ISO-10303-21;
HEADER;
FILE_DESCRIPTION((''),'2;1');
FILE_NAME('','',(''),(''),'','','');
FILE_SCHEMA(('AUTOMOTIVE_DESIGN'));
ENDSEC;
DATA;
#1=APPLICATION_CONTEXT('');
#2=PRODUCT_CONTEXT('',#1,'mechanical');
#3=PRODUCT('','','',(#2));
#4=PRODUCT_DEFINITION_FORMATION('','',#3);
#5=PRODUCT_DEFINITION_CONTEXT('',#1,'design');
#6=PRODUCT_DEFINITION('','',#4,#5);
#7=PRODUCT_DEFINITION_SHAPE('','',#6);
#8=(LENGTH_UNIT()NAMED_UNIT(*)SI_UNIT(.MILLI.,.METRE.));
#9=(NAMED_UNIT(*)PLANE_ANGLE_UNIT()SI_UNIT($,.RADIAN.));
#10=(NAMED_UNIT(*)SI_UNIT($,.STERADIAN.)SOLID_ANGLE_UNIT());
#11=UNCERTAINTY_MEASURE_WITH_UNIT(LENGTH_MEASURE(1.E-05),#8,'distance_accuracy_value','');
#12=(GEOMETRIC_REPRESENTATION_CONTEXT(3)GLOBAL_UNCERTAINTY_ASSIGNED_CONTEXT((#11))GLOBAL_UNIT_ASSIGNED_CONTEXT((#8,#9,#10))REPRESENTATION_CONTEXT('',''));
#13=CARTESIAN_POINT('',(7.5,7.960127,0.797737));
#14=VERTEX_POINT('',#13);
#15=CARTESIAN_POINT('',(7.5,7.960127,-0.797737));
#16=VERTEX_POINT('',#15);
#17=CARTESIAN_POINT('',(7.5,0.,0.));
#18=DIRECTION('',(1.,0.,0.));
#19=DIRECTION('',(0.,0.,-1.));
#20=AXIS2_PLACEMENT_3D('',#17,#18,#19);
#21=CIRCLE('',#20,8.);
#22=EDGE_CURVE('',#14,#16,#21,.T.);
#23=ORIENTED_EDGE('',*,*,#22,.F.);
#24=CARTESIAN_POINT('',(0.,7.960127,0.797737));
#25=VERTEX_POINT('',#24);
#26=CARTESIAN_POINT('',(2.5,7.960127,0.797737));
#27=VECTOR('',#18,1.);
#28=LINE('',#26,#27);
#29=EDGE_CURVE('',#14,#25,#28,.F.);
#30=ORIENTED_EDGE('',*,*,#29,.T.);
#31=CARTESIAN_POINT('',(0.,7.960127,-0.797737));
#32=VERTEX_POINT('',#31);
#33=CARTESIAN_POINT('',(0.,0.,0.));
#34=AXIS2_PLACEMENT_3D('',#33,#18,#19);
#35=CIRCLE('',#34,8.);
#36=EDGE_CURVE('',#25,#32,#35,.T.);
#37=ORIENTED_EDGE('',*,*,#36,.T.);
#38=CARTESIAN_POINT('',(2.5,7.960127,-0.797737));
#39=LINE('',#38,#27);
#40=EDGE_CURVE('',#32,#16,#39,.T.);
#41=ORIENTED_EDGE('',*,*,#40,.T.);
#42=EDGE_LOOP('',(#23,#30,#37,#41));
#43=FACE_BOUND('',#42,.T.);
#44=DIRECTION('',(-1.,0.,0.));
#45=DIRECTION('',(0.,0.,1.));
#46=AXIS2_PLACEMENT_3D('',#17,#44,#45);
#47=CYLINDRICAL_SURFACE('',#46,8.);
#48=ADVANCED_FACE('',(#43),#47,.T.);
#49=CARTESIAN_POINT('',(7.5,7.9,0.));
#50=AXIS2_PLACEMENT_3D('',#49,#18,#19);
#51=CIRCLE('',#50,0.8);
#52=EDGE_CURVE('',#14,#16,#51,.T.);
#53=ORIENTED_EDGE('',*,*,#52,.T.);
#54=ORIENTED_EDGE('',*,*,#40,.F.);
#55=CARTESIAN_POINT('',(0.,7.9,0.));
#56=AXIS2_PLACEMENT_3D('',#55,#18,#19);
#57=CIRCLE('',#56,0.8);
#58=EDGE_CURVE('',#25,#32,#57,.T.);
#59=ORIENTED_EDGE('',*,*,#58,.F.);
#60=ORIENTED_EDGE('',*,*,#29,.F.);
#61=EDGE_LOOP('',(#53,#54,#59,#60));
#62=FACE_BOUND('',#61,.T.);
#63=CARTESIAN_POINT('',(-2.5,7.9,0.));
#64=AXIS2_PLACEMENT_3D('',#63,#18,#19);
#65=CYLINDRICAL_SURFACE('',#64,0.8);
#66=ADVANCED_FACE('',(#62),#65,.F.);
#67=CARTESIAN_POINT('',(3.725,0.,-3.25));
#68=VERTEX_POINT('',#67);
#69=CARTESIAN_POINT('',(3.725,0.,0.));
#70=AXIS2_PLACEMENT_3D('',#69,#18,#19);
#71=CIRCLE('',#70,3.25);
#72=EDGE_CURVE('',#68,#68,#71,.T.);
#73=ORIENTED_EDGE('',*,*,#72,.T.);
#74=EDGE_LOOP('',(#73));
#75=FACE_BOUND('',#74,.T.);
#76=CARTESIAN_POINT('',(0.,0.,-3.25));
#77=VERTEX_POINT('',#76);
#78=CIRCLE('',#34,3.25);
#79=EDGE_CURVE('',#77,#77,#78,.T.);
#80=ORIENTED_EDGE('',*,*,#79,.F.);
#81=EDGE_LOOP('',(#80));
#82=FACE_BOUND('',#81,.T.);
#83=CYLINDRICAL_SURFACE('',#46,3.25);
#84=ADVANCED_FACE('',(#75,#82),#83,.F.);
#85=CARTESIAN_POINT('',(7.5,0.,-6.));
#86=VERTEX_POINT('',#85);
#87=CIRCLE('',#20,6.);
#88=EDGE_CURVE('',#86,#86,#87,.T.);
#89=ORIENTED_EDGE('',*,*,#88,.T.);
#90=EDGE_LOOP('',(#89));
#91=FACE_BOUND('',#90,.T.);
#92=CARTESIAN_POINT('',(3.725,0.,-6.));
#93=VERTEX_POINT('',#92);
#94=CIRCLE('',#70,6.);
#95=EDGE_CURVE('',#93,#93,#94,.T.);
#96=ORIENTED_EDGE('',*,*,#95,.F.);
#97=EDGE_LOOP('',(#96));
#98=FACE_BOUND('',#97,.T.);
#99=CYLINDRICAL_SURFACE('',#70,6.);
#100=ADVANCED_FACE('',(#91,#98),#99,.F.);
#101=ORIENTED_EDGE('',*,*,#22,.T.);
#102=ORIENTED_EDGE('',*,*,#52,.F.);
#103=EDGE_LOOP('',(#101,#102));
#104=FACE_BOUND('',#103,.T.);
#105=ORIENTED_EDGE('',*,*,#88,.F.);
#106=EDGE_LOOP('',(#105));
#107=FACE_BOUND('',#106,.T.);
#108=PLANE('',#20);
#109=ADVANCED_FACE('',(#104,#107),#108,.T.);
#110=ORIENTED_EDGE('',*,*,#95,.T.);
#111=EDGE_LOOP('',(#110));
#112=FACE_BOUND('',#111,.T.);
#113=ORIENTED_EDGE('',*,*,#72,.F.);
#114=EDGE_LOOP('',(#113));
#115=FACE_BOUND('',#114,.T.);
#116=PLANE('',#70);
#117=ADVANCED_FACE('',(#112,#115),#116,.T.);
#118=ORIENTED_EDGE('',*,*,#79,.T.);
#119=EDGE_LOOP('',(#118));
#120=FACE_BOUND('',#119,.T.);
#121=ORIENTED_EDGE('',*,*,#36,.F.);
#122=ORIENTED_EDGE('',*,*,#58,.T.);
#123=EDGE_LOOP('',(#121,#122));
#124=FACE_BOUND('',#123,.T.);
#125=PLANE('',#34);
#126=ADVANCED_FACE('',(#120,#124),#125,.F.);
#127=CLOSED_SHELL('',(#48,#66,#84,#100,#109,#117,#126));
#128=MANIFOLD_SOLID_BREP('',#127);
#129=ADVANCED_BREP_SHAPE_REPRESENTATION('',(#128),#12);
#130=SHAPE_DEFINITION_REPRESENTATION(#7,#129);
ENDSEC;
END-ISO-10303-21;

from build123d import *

# Parameters (mm, degrees)
SKETCH2_R           = 8
SKETCH2_R_2         = 3.25
BOSS_EXTRUDE1_DEPTH = 7.5
SKETCH3_R           = 6
CUT_EXTRUDE1_DEPTH  = 3.775
SKETCH4_R           = 0.8
CUT_EXTRUDE2_DEPTH  = 10


with BuildPart() as part:
    # Sketch2 → Boss-Extrude1 (new body)
    with BuildSketch(Plane(origin=(0, 0, 0), x_dir=(0, 0, -1), z_dir=(1, 0, 0))):
        Circle(SKETCH2_R)
        Circle(SKETCH2_R_2, mode=Mode.SUBTRACT)
    extrude(amount=BOSS_EXTRUDE1_DEPTH)

    # Sketch3 → Cut-Extrude1 (cut)
    with BuildSketch(Plane(origin=(7.5, 0, 0), x_dir=(0, 0, -1), z_dir=(1, 0, 0))):
        Circle(SKETCH3_R)
    extrude(amount=-CUT_EXTRUDE1_DEPTH, mode=Mode.SUBTRACT)

    # Sketch4 → Cut-Extrude2 (cut)
    with BuildSketch(Plane(origin=(7.5, 0, 0), x_dir=(0, 0, -1), z_dir=(1, 0, 0))):
        with Locations((0, 7.9)):
            Circle(SKETCH4_R)
    extrude(amount=-CUT_EXTRUDE2_DEPTH, mode=Mode.SUBTRACT)


solid = part.part
